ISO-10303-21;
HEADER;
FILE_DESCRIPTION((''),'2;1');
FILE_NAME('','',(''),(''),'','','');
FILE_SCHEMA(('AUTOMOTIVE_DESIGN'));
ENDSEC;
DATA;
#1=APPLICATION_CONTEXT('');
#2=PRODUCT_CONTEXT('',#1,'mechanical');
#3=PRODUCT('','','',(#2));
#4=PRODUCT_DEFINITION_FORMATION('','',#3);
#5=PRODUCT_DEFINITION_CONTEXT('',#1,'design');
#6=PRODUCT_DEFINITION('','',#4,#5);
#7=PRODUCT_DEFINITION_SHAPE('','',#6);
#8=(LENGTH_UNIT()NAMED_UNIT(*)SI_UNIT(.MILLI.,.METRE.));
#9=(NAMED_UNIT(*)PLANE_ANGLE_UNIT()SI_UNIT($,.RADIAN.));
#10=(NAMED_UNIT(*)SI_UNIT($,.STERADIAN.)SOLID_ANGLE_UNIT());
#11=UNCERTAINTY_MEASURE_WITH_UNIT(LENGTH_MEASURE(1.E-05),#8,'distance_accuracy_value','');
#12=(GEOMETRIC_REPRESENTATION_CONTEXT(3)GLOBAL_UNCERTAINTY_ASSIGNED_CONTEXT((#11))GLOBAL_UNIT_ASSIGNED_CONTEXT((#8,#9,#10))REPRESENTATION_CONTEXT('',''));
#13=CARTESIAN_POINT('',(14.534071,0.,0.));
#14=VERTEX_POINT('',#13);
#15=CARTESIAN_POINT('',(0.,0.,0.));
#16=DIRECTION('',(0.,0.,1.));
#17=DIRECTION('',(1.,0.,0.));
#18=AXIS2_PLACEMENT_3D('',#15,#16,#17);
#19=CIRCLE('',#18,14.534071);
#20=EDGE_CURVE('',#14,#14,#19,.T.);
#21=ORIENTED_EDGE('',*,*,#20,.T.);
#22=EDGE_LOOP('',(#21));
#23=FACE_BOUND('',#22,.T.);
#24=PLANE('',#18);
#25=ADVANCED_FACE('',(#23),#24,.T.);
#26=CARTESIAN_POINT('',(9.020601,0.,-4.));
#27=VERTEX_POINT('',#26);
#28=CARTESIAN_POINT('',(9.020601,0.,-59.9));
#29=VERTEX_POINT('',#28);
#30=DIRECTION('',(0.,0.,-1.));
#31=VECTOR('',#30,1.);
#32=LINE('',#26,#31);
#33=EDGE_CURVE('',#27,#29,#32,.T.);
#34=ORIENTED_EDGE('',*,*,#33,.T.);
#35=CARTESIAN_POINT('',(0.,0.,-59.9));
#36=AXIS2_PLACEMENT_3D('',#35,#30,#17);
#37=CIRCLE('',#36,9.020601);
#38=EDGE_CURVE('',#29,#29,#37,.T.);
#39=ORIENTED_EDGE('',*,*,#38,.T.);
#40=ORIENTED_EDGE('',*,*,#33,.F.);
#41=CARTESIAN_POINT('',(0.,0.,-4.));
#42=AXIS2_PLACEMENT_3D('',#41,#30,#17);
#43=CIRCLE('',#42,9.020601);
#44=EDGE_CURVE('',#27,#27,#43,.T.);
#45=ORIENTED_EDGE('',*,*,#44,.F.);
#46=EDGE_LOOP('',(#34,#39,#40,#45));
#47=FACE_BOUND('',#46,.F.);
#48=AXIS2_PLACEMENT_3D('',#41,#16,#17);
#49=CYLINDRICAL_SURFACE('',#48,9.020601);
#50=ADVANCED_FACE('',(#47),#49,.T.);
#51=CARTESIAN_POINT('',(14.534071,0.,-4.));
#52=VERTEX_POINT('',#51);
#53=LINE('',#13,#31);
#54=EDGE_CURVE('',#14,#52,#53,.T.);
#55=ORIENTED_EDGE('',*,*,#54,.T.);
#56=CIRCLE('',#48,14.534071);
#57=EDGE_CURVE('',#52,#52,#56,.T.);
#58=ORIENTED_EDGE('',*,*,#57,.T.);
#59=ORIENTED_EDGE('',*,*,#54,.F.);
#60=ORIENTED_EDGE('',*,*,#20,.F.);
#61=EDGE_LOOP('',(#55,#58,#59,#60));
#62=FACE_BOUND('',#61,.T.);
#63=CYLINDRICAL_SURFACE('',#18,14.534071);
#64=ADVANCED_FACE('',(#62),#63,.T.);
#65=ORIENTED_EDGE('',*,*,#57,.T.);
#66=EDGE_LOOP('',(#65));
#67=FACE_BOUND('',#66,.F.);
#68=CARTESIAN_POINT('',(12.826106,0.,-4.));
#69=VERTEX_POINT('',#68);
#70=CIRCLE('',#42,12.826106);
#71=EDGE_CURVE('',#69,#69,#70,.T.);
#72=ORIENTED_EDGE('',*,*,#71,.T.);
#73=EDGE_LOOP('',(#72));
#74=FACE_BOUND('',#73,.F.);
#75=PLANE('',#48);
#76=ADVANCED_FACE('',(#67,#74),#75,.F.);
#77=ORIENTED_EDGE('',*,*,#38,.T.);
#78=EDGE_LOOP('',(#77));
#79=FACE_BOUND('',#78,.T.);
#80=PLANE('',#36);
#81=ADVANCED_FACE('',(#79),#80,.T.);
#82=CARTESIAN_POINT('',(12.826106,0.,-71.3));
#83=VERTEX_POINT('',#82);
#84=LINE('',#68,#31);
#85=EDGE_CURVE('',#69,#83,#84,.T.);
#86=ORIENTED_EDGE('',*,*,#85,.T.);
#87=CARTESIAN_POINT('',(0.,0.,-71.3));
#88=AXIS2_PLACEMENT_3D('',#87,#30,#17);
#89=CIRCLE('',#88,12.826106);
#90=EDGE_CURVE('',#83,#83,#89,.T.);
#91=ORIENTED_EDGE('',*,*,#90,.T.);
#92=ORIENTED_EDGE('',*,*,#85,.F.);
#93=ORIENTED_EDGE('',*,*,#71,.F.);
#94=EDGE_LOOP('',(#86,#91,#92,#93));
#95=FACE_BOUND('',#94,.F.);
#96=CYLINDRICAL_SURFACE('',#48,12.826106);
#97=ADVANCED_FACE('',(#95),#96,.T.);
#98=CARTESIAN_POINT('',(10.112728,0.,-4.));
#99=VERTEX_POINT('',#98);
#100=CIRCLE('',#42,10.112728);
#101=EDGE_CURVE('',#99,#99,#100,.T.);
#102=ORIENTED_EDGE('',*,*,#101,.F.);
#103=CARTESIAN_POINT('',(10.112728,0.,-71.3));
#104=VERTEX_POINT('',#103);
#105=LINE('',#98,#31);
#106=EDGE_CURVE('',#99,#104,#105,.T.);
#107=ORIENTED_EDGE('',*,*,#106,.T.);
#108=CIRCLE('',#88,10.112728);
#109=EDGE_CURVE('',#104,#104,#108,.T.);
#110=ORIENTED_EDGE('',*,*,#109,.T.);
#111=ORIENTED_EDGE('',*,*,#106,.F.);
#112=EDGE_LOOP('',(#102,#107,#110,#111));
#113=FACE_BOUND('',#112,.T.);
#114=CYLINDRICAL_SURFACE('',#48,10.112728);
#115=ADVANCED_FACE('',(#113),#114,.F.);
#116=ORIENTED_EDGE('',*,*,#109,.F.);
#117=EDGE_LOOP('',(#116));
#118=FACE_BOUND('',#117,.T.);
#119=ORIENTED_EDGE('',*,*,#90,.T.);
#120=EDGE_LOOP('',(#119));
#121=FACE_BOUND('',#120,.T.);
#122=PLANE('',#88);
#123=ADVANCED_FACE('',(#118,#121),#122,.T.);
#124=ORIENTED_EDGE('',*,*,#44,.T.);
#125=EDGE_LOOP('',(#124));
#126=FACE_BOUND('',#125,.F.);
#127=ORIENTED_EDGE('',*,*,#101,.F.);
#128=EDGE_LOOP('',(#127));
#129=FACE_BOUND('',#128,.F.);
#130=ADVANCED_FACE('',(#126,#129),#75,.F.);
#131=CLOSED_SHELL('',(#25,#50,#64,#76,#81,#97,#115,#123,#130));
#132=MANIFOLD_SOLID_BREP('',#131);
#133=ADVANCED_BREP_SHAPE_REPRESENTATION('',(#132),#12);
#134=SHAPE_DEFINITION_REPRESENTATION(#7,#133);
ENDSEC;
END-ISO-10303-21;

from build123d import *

# Parameters (mm, degrees)
F0_R     = 14.534071
F1_DEPTH = 4
F2_R     = 9.020601
F3_DEPTH = 55.9
F4_R     = 12.826106
F4_R_2   = 10.112728
F5_DEPTH = 67.3


with BuildPart() as f1:
    # F0 (on Top) → F1 (new body)
    with BuildSketch(Plane.XY):
        Circle(F0_R)
    extrude(amount=-F1_DEPTH)

    # F2 (on face) → F3 (join)
    with BuildSketch(Plane(origin=(0, 0, -4), x_dir=(1, 0, 0), z_dir=(0, 0, -1))):
        Circle(F2_R)
    extrude(amount=F3_DEPTH)

    # F4 (on face) → F5 (join)
    with BuildSketch(Plane(origin=(0, 0, -4), x_dir=(1, 0, 0), z_dir=(0, 0, -1))):
        Circle(F4_R)
        Circle(F4_R_2, mode=Mode.SUBTRACT)
    extrude(amount=F5_DEPTH)


solid = f1.part
